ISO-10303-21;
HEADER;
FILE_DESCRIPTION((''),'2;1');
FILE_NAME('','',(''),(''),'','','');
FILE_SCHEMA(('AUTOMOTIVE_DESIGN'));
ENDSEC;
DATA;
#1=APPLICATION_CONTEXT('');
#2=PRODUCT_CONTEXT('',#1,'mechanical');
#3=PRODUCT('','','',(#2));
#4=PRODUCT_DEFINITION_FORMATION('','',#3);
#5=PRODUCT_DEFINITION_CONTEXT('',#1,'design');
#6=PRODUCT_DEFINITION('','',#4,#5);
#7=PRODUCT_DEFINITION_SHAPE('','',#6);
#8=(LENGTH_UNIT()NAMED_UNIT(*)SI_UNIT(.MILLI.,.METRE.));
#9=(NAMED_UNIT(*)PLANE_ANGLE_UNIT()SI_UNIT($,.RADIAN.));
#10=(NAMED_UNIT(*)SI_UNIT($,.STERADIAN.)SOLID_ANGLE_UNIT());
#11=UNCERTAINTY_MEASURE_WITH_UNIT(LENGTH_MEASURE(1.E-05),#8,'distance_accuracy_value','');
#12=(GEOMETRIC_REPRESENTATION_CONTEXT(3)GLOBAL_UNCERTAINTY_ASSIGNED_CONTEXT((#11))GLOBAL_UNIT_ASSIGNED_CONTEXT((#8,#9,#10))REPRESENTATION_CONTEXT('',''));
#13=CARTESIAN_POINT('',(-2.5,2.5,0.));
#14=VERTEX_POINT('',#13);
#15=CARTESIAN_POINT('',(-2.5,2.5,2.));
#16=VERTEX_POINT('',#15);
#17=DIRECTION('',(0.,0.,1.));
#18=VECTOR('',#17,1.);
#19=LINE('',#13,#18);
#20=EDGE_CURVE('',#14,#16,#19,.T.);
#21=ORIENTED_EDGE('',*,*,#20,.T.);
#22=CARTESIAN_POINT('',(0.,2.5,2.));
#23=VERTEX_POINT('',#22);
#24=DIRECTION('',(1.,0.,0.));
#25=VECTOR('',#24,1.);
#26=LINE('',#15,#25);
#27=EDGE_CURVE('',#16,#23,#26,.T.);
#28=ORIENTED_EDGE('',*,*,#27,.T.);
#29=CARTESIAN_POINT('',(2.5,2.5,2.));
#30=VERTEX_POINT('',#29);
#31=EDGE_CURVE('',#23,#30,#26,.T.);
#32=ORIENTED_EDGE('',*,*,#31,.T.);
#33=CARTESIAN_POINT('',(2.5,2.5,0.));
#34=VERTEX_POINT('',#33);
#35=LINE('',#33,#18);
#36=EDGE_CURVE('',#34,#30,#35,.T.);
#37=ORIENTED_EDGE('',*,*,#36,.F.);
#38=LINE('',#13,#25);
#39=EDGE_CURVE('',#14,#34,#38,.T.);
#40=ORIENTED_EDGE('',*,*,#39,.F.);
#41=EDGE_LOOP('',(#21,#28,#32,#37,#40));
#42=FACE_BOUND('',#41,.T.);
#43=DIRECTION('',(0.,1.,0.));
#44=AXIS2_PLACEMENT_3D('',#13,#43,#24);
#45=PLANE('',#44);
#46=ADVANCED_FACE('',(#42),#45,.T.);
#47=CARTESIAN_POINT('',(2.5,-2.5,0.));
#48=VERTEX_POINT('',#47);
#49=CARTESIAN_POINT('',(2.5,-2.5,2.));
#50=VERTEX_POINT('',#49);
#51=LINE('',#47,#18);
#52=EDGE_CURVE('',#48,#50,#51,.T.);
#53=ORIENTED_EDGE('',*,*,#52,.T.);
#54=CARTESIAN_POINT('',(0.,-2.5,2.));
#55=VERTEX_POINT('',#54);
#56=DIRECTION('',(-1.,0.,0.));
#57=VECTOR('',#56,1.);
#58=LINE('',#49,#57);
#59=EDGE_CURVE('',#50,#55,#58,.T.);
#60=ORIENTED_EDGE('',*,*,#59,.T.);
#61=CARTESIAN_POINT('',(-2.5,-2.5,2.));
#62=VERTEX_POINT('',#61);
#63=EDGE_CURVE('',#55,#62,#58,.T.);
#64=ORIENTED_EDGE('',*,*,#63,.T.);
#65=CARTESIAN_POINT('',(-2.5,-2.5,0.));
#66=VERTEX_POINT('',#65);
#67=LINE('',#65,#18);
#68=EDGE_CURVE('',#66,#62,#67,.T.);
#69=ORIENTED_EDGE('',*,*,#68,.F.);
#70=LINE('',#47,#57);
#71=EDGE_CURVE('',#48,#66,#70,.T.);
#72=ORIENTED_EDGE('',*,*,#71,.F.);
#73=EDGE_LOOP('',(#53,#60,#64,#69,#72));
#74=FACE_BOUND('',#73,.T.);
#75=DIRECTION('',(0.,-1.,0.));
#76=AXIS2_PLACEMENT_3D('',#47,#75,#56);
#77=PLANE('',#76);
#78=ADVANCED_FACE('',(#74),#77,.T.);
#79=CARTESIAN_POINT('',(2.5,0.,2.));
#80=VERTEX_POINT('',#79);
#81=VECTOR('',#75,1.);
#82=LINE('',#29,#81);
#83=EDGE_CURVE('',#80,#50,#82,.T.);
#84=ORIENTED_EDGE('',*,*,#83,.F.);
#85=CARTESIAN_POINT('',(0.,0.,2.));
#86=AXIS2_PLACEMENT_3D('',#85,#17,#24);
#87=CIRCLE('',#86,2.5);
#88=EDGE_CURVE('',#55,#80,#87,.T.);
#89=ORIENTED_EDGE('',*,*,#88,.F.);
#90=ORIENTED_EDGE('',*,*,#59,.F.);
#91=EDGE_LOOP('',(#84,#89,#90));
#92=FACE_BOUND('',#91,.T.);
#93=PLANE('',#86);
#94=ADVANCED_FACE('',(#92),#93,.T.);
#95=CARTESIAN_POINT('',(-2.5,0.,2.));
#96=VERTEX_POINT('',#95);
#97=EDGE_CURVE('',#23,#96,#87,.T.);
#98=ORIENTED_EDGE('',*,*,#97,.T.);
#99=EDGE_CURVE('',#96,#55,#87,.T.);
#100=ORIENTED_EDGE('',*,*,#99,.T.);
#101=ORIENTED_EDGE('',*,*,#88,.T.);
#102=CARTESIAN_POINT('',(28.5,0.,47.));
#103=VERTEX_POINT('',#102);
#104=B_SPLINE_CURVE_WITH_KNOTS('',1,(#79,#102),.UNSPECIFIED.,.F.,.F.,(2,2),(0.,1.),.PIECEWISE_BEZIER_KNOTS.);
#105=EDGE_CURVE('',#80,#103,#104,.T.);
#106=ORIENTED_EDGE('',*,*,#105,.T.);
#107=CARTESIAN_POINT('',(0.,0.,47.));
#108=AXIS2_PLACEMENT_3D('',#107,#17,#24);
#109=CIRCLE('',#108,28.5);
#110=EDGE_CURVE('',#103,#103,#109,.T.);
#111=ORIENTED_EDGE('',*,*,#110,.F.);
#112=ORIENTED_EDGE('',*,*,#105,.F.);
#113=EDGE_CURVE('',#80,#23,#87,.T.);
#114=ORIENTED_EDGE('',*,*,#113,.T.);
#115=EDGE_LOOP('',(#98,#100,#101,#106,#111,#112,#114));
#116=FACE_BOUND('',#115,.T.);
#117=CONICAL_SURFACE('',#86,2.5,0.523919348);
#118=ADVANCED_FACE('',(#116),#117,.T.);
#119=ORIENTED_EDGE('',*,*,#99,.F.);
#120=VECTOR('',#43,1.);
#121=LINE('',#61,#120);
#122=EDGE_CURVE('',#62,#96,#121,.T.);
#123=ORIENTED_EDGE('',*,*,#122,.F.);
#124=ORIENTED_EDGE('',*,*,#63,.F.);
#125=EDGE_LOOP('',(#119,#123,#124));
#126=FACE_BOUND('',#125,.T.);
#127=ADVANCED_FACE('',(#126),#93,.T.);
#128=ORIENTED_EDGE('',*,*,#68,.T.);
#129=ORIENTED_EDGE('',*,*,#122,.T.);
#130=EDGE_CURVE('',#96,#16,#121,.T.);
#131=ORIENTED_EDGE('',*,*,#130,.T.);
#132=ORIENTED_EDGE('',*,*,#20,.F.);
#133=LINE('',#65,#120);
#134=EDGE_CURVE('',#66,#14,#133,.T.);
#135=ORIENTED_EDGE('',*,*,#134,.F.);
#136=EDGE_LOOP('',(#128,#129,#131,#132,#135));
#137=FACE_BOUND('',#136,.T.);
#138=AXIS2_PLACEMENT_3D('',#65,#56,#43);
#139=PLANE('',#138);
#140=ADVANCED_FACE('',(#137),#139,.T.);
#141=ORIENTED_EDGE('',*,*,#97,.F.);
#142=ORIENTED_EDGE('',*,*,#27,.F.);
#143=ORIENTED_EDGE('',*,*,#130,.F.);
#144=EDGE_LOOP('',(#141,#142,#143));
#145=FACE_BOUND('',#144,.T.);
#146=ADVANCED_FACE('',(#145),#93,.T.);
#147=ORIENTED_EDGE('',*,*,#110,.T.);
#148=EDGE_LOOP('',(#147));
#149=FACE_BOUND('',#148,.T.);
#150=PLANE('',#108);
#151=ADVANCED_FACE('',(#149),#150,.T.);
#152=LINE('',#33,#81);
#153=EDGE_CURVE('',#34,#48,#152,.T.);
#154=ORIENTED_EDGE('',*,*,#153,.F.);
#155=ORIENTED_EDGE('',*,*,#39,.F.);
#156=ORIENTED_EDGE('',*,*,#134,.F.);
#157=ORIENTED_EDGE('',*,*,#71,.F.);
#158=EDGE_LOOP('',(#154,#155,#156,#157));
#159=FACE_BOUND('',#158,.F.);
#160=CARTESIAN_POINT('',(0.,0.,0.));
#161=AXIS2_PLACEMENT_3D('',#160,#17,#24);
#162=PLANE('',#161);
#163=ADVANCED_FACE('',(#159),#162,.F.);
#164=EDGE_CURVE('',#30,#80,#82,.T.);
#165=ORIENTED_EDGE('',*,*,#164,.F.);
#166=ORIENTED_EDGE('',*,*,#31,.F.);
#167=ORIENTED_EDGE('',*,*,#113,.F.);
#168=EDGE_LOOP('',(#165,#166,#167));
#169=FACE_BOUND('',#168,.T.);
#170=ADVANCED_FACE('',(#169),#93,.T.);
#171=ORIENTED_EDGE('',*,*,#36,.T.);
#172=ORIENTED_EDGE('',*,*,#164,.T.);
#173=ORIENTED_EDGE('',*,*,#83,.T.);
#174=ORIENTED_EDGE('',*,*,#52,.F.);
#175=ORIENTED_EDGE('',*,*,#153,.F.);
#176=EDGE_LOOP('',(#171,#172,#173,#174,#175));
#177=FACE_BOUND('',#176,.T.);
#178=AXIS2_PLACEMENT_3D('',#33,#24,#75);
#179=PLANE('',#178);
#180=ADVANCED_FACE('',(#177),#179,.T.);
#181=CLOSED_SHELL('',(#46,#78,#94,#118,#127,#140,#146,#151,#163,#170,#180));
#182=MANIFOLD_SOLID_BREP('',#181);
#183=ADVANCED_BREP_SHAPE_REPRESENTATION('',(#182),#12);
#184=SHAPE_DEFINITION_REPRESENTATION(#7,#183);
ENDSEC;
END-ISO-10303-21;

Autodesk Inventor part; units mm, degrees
ref_plane "YZ Plane" through (0, 0, 0) normal (1, 0, 0) x (0, 1, 0)
ref_plane "XZ Plane" through (0, 0, 0) normal (0, 1, 0) x (-1, 0, 0)
ref_plane "XY Plane" through (0, 0, 0) normal (0, 0, 1) x (1, 0, 0)
sketch "Sketch1" plane through (0, 0, 0) normal (0, 0, 1) x (1, 0, 0)
  line L0 (-2.5, 2.5) -> (2.5, 2.5)
  line L1 (2.5, 2.5) -> (2.5, -2.5)
  line L2 (2.5, -2.5) -> (-2.5, -2.5)
  line L3 (-2.5, -2.5) -> (-2.5, 2.5)
  line L4 (-2.5, 2.5) -> (2.5, -2.5) construction
  line L5 (2.5, 2.5) -> (-2.5, -2.5) construction
  circle A0 centre (0, 0) radius 2.25
  dimension "d0" = 5
  dimension "d1" = 5
  dimension "d2" = 4.5
extrude "Extrusion1" add sketch "Sketch1" along normal blind 2 contours L0 L1 L2 L3 | A0
sketch "Sketch2" plane through (-2.5, -2.5, 0) normal (0, -1, 0) x (1, 0, 0)
  line L0 (5, 0) -> (0, 0) projected
  line L1 (5, 0) -> (5, 2) projected
  line L2 (0, 2) -> (5, 2) projected
  line L3 (0, 0) -> (0, 2) projected
  line L4 (5, 2) -> (0, 2) projected
  line L5 (0, 2) -> (-25.9808, 47)
  line L6 (-25.9808, 47) -> (30.9808, 47)
  line L7 (5, 2) -> (30.9808, 47)
  point P0 (2.5, 0)
  dimension "d5" = 120
  dimension "d6" = 120
  dimension "d7" = 45
  dimension "d9" = 56.9615
sketch "Sketch3" plane through (0, 0, 2) normal (0, 0, 1) x (1, 0, 0)
  circle A0 centre (0, 0) radius 2.5
ref_plane "Work Plane1" through (0, 0, 47) normal (0, 0, 1) x (1, 0, 0)
sketch "Sketch4" plane through (0, 0, 47) normal (0, 0, 1) x (1, 0, 0)
  circle A0 centre (0, 0) radius 28.5
  point P0 (28.4808, -2.5)
  dimension "d10" = 57
loft "Loft1" add profiles "Sketch3", "Sketch4"
equation "\"d6\" = d5"
properties part number "led 5050"
